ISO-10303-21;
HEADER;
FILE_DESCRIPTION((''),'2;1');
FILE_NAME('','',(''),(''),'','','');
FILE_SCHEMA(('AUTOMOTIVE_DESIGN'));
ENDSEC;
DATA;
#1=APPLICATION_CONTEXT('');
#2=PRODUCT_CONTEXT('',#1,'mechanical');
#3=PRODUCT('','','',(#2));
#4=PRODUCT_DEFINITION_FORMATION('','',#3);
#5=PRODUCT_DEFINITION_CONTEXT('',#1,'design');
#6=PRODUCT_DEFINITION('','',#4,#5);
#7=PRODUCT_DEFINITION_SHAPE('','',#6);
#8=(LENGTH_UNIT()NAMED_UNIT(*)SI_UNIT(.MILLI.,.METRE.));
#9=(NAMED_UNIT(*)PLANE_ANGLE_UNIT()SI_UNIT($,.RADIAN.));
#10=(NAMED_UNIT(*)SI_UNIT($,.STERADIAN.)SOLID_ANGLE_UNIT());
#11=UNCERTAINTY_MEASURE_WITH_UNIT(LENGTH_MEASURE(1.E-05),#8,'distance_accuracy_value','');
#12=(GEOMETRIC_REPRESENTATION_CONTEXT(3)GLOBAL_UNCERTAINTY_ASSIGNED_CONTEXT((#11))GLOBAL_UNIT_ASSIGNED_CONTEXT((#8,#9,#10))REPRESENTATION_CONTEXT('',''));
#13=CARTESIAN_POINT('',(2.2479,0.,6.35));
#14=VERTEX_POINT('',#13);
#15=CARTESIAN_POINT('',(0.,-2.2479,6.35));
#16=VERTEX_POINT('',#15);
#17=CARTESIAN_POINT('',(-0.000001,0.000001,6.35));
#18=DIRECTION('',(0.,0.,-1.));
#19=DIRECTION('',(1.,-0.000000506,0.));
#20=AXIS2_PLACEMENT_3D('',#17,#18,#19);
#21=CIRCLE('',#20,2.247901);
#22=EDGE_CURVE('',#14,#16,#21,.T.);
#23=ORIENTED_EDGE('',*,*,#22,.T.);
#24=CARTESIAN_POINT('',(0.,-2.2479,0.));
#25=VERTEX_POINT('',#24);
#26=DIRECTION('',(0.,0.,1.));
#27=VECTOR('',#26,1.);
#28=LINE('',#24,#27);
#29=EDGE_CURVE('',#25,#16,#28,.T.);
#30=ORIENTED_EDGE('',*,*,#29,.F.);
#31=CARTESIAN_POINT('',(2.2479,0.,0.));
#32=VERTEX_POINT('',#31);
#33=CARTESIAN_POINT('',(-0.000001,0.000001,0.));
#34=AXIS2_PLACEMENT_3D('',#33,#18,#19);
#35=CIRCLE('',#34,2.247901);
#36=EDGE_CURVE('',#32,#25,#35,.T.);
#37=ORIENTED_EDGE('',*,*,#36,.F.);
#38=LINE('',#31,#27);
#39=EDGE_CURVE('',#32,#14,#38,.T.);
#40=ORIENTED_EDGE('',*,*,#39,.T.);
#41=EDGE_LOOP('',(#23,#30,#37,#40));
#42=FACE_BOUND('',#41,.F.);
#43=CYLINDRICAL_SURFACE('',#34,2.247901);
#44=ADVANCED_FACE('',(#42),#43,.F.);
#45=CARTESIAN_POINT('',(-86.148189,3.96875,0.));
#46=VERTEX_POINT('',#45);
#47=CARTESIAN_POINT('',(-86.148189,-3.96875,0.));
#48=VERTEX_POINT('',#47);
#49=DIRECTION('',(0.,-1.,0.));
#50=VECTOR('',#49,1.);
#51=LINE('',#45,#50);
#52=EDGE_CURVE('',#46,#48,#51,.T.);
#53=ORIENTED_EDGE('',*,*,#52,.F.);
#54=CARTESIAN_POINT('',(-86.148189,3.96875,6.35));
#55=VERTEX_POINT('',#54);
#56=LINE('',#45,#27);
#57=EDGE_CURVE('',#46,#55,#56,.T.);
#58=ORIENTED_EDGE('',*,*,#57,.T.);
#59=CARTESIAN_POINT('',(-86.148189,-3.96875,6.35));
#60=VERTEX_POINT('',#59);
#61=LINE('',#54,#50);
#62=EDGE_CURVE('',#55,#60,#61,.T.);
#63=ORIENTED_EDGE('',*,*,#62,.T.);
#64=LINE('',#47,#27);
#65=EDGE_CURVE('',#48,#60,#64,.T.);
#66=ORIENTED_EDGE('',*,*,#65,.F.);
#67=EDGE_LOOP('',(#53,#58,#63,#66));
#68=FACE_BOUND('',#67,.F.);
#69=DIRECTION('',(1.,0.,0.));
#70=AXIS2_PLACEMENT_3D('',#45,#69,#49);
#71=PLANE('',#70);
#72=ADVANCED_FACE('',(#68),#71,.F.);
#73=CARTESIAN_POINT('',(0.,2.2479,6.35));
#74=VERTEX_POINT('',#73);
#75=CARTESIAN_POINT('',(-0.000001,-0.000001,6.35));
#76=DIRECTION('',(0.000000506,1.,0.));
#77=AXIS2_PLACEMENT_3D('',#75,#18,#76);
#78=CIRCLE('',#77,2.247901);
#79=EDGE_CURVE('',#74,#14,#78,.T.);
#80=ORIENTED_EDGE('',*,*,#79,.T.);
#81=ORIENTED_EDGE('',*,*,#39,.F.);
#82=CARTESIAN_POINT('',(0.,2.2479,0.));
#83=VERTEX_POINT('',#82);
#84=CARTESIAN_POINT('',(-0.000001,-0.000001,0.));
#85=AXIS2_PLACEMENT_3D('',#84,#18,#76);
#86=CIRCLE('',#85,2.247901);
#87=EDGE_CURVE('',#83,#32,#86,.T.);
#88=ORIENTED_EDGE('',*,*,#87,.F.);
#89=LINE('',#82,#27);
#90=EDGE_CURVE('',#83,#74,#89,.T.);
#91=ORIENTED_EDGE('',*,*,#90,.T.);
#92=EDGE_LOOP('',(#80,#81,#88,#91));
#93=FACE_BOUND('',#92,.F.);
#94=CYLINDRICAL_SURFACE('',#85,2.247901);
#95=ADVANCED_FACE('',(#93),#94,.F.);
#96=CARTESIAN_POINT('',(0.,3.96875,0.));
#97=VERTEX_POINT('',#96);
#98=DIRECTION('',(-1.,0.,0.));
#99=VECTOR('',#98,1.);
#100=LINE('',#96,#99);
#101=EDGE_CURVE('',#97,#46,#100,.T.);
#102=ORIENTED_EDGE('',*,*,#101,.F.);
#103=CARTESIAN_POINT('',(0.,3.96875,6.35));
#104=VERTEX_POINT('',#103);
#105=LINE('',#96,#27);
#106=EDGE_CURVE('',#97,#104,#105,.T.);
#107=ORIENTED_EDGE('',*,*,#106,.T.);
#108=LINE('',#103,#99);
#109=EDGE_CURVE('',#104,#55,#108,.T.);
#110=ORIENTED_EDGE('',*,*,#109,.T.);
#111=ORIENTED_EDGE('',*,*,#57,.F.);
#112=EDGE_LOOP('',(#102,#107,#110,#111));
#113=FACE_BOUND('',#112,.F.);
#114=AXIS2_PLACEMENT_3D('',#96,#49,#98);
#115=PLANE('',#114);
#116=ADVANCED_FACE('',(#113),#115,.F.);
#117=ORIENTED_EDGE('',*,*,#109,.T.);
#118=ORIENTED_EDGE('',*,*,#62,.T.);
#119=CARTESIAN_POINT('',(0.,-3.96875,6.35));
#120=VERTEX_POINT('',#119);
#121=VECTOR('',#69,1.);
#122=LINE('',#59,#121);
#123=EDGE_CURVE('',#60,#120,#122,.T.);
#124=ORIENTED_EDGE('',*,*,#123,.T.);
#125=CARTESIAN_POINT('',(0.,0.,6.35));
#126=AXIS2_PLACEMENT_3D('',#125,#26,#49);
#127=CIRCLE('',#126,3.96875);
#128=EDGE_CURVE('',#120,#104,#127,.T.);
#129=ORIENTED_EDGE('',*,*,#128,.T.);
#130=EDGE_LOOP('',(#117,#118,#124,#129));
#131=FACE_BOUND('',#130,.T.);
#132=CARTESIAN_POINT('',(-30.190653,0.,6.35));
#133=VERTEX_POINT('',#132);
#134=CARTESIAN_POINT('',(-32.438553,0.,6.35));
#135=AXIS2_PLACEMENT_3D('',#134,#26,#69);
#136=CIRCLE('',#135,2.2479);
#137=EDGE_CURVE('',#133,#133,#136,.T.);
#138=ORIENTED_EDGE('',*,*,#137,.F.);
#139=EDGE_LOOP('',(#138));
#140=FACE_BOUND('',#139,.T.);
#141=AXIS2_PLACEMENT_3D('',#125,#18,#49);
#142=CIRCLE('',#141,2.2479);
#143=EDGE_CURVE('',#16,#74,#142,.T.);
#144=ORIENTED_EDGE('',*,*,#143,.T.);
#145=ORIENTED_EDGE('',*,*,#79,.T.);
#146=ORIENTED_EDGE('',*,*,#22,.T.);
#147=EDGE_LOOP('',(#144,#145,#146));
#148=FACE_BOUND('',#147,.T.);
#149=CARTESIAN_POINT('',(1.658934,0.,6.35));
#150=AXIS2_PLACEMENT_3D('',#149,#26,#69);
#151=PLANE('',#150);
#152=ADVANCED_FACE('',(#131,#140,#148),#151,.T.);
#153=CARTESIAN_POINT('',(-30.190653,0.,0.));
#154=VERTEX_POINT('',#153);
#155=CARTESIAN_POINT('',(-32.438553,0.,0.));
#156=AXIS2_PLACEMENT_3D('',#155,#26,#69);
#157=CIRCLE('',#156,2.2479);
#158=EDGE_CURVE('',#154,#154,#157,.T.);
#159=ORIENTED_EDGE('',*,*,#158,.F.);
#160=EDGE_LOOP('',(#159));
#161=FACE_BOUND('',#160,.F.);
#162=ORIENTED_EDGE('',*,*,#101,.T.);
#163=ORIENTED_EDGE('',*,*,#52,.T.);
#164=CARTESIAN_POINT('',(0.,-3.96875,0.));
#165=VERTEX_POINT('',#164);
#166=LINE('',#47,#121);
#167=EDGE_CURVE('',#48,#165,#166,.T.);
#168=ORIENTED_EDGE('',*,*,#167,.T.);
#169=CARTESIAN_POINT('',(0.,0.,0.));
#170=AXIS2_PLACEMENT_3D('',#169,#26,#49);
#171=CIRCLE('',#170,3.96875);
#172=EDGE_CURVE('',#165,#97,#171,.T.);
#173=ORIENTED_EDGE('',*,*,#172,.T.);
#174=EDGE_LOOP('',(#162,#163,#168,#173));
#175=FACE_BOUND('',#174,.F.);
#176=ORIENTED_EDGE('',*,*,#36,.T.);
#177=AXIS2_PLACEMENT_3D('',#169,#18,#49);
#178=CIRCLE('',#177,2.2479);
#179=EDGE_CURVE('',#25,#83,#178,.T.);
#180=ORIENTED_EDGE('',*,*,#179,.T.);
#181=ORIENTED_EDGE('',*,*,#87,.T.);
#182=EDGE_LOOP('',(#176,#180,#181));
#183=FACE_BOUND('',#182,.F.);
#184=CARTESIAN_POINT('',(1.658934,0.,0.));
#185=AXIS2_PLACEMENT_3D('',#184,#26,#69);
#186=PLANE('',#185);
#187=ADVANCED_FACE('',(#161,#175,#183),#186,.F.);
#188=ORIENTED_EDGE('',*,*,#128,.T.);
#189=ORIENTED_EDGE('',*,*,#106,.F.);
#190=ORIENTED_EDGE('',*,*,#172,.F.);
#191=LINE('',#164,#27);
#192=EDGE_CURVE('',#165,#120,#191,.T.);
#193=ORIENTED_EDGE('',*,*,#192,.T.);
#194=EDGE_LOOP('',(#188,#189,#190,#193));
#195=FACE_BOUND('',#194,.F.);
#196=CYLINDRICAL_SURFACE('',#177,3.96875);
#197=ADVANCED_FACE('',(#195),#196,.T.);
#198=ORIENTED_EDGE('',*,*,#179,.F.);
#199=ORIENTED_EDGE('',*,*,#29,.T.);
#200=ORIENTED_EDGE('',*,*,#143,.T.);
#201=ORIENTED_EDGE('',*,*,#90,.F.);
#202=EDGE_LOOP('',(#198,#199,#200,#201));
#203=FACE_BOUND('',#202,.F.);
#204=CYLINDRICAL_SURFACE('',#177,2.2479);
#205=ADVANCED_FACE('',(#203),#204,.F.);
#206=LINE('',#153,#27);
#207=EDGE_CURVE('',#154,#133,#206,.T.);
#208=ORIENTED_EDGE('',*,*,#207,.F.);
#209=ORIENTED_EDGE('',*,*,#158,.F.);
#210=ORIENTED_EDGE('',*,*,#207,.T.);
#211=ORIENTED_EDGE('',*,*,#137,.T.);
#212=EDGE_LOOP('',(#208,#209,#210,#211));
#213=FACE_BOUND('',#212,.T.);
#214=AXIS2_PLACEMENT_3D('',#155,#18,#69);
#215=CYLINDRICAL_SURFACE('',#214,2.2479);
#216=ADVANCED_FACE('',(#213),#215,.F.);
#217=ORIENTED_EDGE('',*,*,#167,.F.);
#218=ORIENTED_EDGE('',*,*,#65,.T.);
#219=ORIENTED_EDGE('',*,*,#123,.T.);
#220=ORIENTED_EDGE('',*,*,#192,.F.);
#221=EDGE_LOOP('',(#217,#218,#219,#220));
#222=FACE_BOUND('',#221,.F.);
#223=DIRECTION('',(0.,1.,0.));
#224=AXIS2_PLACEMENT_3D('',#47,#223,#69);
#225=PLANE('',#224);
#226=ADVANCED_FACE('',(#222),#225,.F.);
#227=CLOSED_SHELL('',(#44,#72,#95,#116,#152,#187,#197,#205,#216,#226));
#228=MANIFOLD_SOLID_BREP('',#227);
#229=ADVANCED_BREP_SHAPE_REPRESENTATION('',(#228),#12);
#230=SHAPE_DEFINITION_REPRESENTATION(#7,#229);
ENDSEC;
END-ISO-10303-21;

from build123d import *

# Parameters (mm, degrees)
F0_R     = 2.2479
F1_DEPTH = 6.35


with BuildPart() as f1:
    # F0 (on Top) → F1 (new body)
    with BuildSketch(Plane.XY):
        with BuildLine():
            ThreePointArc((0, 2.2479), (1.589505, 1.589505), (2.2479, 0))
            ThreePointArc((2.2479, 0), (1.589505, -1.589505), (0, -2.2479))
            Line((0, -2.2479), (0, -3.96875))
            ThreePointArc((0, -3.96875), (3.96875, 0), (0, 3.96875))
            Line((0, 3.96875), (0, 2.2479))
        make_face()
        with BuildLine():
            ThreePointArc((0, -2.2479), (-2.2479, 0), (0, 2.2479))
            Line((0, 2.2479), (0, 3.96875))
            Line((0, 3.96875), (-86.148189, 3.96875))
            Line((-86.148189, 3.96875), (-86.148189, -3.96875))
            Line((-86.148189, -3.96875), (0, -3.96875))
            Line((0, -3.96875), (0, -2.2479))
        make_face()
        with Locations((-32.438553, 0)):
            Circle(F0_R, mode=Mode.SUBTRACT)
    extrude(amount=F1_DEPTH)


solid = f1.part
